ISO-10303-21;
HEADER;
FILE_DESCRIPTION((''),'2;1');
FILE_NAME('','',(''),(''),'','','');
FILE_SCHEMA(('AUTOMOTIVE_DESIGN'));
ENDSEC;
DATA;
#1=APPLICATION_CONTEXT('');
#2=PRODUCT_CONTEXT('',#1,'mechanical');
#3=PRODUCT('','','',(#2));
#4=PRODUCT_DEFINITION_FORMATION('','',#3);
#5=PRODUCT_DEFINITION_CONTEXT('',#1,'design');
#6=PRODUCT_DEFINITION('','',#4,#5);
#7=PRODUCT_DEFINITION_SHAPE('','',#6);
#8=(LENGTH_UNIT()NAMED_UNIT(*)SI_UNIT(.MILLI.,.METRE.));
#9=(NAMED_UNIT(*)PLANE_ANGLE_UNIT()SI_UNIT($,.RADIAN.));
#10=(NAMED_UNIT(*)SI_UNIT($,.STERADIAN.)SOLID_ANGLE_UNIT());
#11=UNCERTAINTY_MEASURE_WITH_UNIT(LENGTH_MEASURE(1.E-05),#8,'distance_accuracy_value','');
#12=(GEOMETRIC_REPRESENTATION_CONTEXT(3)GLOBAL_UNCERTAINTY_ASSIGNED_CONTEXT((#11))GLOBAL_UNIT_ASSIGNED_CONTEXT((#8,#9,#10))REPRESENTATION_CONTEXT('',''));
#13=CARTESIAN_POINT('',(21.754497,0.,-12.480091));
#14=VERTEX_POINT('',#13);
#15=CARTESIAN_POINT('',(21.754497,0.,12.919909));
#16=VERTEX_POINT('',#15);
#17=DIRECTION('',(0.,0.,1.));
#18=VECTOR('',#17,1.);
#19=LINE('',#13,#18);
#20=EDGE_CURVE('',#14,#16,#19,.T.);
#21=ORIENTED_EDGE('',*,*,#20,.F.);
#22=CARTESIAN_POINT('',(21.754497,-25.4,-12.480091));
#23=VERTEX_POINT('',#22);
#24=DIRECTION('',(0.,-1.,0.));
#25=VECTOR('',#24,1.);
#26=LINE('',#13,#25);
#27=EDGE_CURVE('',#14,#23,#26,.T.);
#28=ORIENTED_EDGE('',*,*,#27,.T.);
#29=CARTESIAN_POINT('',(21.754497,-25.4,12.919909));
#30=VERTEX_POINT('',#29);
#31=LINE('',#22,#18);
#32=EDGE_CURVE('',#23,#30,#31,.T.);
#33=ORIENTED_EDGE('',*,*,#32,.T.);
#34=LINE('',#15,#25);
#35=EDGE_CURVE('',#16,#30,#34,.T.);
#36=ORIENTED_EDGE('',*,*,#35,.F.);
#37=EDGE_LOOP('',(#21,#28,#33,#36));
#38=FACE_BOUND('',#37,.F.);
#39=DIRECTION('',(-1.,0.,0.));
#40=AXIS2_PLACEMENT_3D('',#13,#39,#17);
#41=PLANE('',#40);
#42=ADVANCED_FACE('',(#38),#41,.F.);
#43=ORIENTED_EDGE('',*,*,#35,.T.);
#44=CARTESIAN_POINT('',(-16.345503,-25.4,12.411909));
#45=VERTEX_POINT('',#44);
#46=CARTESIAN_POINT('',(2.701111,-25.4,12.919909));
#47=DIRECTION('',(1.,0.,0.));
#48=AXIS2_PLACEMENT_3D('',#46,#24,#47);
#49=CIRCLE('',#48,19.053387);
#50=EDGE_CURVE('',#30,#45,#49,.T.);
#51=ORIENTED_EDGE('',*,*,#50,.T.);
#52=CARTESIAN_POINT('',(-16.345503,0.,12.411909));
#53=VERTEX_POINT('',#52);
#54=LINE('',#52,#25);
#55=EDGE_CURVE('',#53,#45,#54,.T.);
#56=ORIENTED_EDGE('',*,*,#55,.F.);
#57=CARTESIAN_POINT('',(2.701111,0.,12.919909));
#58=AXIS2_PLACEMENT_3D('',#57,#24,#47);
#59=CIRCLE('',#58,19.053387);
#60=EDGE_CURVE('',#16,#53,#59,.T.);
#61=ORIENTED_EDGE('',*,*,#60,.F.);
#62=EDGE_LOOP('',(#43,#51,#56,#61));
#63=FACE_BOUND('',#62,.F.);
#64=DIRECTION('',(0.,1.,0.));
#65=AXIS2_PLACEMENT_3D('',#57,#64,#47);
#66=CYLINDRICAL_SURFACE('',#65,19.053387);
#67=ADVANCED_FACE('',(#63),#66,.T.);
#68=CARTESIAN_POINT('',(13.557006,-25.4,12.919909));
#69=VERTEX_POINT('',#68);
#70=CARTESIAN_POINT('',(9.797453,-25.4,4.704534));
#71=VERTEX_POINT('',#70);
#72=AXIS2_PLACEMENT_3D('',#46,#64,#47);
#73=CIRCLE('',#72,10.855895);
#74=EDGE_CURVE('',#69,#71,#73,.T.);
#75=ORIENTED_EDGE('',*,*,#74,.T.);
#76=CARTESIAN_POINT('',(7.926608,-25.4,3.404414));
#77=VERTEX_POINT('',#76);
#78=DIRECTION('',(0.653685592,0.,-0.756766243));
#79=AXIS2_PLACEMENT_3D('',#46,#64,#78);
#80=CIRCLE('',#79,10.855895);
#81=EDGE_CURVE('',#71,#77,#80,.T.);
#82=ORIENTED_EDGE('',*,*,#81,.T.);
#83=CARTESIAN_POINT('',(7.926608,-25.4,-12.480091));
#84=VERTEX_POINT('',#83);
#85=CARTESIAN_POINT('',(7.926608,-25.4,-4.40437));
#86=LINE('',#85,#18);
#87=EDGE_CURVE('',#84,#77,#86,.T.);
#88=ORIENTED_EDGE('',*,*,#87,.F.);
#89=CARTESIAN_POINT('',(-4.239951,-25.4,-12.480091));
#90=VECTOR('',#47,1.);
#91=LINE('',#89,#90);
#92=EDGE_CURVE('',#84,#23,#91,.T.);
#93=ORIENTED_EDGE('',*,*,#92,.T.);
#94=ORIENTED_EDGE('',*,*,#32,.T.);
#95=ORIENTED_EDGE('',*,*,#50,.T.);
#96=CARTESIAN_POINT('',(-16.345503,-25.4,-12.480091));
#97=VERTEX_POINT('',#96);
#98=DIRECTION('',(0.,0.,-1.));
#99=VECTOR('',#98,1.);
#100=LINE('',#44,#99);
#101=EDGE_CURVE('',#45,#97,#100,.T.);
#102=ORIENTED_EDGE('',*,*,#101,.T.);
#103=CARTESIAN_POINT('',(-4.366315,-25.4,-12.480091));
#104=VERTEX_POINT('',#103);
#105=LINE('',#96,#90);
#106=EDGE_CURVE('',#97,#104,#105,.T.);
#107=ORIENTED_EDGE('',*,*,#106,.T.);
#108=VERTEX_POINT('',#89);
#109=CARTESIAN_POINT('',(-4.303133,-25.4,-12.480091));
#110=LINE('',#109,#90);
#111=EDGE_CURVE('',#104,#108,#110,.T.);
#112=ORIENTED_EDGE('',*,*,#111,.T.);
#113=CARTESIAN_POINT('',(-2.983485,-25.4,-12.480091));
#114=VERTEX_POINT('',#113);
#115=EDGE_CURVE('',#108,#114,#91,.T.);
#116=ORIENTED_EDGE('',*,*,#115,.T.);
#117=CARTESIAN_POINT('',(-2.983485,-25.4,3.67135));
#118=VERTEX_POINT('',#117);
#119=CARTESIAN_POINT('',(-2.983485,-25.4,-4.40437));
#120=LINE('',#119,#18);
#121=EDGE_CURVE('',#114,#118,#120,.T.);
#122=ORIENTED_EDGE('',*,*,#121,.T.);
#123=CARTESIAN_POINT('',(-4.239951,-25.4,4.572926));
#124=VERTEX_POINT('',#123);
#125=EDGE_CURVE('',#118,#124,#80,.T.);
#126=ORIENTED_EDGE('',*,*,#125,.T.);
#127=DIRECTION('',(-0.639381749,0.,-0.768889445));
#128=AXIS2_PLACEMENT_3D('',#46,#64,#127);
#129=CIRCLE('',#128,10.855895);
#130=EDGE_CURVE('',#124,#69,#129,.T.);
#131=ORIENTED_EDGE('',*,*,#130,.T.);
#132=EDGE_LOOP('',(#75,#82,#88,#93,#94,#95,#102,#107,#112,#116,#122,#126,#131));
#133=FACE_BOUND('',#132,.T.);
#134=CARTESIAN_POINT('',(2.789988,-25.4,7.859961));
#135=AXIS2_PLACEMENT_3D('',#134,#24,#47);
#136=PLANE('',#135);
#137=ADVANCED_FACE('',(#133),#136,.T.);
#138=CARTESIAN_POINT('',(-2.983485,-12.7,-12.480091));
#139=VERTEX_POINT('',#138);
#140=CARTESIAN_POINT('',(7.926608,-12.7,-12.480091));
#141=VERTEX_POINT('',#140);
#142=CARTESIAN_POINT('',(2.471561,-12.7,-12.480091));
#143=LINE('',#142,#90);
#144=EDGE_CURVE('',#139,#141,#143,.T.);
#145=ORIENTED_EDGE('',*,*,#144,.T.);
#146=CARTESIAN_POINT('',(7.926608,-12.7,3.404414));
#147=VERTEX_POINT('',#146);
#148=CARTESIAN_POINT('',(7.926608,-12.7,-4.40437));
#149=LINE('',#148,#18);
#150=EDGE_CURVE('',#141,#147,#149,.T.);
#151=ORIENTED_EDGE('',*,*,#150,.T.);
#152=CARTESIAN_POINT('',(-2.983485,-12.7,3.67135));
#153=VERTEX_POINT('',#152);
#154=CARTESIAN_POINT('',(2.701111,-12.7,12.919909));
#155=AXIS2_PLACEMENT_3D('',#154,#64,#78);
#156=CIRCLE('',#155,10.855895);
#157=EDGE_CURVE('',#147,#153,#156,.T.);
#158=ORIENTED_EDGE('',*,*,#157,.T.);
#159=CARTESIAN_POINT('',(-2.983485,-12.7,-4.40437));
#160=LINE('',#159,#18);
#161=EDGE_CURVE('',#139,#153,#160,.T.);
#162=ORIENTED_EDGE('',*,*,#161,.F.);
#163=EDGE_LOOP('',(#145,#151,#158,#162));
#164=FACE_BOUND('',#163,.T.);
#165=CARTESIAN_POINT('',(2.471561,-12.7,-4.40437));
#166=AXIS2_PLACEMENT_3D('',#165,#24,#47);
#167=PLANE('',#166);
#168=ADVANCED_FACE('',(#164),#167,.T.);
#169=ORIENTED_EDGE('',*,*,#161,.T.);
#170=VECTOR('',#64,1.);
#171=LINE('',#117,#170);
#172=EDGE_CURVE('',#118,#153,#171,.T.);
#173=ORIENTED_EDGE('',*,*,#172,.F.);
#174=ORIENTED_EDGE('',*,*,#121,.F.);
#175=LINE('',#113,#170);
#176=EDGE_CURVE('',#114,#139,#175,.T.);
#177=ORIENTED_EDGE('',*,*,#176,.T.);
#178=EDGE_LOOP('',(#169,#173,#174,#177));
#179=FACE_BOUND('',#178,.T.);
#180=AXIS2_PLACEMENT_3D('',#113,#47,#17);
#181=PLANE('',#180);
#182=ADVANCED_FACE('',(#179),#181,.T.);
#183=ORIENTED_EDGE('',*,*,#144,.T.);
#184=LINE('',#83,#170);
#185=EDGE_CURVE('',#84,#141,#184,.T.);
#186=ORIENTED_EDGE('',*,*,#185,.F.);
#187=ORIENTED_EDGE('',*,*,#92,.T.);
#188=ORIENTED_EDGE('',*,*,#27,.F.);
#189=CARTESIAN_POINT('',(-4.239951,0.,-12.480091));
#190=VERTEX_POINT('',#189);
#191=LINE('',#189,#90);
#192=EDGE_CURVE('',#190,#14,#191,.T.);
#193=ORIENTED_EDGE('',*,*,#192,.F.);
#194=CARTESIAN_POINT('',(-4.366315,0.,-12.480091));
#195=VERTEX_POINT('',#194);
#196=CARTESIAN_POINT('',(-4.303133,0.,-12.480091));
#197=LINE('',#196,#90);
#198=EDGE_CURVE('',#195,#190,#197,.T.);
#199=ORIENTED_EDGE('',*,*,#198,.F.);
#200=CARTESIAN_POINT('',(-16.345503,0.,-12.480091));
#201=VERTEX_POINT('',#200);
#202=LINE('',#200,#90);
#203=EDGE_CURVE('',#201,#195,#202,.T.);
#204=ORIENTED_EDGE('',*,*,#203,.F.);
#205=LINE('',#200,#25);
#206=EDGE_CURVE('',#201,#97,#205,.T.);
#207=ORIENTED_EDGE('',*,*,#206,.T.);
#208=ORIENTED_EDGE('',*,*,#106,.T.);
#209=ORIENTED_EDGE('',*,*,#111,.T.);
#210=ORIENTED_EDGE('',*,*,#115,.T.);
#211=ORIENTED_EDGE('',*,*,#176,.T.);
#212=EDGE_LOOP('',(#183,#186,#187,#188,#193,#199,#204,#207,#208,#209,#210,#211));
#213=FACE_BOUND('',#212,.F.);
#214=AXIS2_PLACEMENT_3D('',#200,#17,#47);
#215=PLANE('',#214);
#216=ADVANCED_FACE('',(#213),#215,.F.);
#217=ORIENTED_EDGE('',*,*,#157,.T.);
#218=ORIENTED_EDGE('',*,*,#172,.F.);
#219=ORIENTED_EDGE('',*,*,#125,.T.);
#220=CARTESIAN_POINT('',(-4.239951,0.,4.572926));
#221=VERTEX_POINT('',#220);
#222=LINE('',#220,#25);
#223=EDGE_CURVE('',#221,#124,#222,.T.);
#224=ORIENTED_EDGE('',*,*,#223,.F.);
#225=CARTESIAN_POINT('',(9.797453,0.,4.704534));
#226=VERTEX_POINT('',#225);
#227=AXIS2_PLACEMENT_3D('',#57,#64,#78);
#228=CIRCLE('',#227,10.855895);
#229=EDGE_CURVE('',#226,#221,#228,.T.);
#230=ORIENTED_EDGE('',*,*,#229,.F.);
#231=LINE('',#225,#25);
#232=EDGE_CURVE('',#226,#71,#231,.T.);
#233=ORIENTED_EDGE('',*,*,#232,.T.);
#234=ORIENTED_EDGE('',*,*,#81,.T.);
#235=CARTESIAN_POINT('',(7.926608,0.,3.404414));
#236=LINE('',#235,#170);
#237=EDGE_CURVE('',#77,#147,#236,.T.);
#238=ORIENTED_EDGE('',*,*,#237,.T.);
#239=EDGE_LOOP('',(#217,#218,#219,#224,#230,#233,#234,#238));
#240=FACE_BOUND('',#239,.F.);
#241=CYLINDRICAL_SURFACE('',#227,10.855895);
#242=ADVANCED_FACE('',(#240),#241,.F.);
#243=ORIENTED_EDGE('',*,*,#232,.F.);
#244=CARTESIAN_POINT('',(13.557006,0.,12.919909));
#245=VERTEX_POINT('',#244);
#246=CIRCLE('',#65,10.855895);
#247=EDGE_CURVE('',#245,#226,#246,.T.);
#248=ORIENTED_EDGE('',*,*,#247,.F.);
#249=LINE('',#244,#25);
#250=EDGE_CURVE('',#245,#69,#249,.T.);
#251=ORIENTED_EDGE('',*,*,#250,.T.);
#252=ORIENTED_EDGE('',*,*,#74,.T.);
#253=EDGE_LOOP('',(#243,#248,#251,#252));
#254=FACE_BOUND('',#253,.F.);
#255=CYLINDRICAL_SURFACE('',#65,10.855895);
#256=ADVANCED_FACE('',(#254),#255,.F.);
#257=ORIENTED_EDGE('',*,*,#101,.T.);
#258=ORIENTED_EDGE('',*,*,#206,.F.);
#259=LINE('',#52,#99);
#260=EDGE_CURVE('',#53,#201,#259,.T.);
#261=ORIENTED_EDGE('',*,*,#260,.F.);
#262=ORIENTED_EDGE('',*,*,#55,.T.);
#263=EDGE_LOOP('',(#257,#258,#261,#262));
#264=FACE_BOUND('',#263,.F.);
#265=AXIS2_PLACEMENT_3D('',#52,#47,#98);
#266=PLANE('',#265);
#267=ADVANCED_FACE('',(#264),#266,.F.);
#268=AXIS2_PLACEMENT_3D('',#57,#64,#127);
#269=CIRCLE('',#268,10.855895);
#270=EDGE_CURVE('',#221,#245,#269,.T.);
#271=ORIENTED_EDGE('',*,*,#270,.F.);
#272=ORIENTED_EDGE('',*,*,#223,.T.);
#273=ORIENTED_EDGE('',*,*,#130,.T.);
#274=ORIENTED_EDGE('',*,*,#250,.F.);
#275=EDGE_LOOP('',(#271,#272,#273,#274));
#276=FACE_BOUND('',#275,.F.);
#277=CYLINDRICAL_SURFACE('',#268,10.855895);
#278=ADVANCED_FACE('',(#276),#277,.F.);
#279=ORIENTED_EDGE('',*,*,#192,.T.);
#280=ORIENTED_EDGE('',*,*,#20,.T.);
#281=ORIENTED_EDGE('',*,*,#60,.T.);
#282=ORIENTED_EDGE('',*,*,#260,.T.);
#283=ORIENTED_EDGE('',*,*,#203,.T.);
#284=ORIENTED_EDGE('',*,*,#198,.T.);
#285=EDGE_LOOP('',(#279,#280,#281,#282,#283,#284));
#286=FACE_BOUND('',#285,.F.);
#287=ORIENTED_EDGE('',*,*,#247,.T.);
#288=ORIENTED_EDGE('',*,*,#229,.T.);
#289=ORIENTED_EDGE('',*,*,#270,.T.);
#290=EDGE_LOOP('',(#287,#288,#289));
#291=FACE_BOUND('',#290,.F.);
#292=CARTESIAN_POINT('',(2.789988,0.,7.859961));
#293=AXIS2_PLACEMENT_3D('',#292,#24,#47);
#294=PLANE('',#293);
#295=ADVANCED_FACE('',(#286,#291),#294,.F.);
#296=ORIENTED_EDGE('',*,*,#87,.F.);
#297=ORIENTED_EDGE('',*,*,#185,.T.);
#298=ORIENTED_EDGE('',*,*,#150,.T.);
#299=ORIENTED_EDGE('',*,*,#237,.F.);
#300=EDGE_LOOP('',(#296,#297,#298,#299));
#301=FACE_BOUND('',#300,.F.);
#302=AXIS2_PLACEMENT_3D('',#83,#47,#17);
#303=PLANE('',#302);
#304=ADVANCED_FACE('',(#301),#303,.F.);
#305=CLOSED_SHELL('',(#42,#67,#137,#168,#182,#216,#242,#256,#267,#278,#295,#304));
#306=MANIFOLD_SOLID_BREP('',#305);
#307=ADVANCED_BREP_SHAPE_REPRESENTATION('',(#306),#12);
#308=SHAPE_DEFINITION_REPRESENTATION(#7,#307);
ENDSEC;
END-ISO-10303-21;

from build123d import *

# Parameters (mm, degrees)
F0_W     = 0.1263646411
F0_H     = 17.0530166703
F1_DEPTH = 25.4
F2_W     = 10.9100927941
F2_H     = 16.1514415487
F3_DEPTH = 12.7


with BuildPart() as f1:
    # F0 (on Front) → F1 (new body)
    with BuildSketch(Plane.XZ):
        with BuildLine():
            ThreePointArc((21.754497215, 12.9199089266), (2.44708795, 31.971602185), (-16.345502785, 12.4119088846))
            Line((-16.345502785, 12.4119088846), (-16.345502785, -12.4800910734))
            Line((-16.345502785, -12.4800910734), (-4.3663154356, -12.4800910734))
            Line((-4.3663154356, -12.4800910734), (-4.3663154356, 4.572925597))
            Line((-4.3663154356, 4.572925597), (-4.2399507945, 4.572925597))
            ThreePointArc((-4.2399507945, 4.572925597), (-1.9086089611, 22.7484871204), (13.5570058707, 12.9199089266))
            ThreePointArc((13.5570058707, 12.9199089266), (12.5724735008, 8.40253616), (9.7974529079, 4.7045338061))
            Line((9.7974529079, 4.7045338061), (9.7974529079, -12.4800910734))
            Line((9.7974529079, -12.4800910734), (21.754497215, -12.4800910734))
            Line((21.754497215, -12.4800910734), (21.754497215, 12.9199089266))
        make_face()
        with Locations((-4.303133115, -3.9535827382)):
            Rectangle(F0_W, F0_H)
        with BuildLine():
            Line((-4.2399507945, 4.572925597), (-4.2399507945, -12.4800910734))
            Line((-4.2399507945, -12.4800910734), (9.7974529079, -12.4800910734))
            Line((9.7974529079, -12.4800910734), (9.7974529079, 4.7045338061))
            ThreePointArc((9.7974529079, 4.7045338061), (2.8028859319, 2.0644906927), (-4.2399507945, 4.572925597))
        make_face()
    extrude(amount=F1_DEPTH)

    # F2 (on face) → F3 (cut)
    with BuildSketch(Plane.XZ.offset(25.4)):
        with Locations((2.4715611074, -4.404370299)):
            Rectangle(F2_W, F2_H)
    extrude(amount=-F3_DEPTH, mode=Mode.SUBTRACT)


solid = f1.part
